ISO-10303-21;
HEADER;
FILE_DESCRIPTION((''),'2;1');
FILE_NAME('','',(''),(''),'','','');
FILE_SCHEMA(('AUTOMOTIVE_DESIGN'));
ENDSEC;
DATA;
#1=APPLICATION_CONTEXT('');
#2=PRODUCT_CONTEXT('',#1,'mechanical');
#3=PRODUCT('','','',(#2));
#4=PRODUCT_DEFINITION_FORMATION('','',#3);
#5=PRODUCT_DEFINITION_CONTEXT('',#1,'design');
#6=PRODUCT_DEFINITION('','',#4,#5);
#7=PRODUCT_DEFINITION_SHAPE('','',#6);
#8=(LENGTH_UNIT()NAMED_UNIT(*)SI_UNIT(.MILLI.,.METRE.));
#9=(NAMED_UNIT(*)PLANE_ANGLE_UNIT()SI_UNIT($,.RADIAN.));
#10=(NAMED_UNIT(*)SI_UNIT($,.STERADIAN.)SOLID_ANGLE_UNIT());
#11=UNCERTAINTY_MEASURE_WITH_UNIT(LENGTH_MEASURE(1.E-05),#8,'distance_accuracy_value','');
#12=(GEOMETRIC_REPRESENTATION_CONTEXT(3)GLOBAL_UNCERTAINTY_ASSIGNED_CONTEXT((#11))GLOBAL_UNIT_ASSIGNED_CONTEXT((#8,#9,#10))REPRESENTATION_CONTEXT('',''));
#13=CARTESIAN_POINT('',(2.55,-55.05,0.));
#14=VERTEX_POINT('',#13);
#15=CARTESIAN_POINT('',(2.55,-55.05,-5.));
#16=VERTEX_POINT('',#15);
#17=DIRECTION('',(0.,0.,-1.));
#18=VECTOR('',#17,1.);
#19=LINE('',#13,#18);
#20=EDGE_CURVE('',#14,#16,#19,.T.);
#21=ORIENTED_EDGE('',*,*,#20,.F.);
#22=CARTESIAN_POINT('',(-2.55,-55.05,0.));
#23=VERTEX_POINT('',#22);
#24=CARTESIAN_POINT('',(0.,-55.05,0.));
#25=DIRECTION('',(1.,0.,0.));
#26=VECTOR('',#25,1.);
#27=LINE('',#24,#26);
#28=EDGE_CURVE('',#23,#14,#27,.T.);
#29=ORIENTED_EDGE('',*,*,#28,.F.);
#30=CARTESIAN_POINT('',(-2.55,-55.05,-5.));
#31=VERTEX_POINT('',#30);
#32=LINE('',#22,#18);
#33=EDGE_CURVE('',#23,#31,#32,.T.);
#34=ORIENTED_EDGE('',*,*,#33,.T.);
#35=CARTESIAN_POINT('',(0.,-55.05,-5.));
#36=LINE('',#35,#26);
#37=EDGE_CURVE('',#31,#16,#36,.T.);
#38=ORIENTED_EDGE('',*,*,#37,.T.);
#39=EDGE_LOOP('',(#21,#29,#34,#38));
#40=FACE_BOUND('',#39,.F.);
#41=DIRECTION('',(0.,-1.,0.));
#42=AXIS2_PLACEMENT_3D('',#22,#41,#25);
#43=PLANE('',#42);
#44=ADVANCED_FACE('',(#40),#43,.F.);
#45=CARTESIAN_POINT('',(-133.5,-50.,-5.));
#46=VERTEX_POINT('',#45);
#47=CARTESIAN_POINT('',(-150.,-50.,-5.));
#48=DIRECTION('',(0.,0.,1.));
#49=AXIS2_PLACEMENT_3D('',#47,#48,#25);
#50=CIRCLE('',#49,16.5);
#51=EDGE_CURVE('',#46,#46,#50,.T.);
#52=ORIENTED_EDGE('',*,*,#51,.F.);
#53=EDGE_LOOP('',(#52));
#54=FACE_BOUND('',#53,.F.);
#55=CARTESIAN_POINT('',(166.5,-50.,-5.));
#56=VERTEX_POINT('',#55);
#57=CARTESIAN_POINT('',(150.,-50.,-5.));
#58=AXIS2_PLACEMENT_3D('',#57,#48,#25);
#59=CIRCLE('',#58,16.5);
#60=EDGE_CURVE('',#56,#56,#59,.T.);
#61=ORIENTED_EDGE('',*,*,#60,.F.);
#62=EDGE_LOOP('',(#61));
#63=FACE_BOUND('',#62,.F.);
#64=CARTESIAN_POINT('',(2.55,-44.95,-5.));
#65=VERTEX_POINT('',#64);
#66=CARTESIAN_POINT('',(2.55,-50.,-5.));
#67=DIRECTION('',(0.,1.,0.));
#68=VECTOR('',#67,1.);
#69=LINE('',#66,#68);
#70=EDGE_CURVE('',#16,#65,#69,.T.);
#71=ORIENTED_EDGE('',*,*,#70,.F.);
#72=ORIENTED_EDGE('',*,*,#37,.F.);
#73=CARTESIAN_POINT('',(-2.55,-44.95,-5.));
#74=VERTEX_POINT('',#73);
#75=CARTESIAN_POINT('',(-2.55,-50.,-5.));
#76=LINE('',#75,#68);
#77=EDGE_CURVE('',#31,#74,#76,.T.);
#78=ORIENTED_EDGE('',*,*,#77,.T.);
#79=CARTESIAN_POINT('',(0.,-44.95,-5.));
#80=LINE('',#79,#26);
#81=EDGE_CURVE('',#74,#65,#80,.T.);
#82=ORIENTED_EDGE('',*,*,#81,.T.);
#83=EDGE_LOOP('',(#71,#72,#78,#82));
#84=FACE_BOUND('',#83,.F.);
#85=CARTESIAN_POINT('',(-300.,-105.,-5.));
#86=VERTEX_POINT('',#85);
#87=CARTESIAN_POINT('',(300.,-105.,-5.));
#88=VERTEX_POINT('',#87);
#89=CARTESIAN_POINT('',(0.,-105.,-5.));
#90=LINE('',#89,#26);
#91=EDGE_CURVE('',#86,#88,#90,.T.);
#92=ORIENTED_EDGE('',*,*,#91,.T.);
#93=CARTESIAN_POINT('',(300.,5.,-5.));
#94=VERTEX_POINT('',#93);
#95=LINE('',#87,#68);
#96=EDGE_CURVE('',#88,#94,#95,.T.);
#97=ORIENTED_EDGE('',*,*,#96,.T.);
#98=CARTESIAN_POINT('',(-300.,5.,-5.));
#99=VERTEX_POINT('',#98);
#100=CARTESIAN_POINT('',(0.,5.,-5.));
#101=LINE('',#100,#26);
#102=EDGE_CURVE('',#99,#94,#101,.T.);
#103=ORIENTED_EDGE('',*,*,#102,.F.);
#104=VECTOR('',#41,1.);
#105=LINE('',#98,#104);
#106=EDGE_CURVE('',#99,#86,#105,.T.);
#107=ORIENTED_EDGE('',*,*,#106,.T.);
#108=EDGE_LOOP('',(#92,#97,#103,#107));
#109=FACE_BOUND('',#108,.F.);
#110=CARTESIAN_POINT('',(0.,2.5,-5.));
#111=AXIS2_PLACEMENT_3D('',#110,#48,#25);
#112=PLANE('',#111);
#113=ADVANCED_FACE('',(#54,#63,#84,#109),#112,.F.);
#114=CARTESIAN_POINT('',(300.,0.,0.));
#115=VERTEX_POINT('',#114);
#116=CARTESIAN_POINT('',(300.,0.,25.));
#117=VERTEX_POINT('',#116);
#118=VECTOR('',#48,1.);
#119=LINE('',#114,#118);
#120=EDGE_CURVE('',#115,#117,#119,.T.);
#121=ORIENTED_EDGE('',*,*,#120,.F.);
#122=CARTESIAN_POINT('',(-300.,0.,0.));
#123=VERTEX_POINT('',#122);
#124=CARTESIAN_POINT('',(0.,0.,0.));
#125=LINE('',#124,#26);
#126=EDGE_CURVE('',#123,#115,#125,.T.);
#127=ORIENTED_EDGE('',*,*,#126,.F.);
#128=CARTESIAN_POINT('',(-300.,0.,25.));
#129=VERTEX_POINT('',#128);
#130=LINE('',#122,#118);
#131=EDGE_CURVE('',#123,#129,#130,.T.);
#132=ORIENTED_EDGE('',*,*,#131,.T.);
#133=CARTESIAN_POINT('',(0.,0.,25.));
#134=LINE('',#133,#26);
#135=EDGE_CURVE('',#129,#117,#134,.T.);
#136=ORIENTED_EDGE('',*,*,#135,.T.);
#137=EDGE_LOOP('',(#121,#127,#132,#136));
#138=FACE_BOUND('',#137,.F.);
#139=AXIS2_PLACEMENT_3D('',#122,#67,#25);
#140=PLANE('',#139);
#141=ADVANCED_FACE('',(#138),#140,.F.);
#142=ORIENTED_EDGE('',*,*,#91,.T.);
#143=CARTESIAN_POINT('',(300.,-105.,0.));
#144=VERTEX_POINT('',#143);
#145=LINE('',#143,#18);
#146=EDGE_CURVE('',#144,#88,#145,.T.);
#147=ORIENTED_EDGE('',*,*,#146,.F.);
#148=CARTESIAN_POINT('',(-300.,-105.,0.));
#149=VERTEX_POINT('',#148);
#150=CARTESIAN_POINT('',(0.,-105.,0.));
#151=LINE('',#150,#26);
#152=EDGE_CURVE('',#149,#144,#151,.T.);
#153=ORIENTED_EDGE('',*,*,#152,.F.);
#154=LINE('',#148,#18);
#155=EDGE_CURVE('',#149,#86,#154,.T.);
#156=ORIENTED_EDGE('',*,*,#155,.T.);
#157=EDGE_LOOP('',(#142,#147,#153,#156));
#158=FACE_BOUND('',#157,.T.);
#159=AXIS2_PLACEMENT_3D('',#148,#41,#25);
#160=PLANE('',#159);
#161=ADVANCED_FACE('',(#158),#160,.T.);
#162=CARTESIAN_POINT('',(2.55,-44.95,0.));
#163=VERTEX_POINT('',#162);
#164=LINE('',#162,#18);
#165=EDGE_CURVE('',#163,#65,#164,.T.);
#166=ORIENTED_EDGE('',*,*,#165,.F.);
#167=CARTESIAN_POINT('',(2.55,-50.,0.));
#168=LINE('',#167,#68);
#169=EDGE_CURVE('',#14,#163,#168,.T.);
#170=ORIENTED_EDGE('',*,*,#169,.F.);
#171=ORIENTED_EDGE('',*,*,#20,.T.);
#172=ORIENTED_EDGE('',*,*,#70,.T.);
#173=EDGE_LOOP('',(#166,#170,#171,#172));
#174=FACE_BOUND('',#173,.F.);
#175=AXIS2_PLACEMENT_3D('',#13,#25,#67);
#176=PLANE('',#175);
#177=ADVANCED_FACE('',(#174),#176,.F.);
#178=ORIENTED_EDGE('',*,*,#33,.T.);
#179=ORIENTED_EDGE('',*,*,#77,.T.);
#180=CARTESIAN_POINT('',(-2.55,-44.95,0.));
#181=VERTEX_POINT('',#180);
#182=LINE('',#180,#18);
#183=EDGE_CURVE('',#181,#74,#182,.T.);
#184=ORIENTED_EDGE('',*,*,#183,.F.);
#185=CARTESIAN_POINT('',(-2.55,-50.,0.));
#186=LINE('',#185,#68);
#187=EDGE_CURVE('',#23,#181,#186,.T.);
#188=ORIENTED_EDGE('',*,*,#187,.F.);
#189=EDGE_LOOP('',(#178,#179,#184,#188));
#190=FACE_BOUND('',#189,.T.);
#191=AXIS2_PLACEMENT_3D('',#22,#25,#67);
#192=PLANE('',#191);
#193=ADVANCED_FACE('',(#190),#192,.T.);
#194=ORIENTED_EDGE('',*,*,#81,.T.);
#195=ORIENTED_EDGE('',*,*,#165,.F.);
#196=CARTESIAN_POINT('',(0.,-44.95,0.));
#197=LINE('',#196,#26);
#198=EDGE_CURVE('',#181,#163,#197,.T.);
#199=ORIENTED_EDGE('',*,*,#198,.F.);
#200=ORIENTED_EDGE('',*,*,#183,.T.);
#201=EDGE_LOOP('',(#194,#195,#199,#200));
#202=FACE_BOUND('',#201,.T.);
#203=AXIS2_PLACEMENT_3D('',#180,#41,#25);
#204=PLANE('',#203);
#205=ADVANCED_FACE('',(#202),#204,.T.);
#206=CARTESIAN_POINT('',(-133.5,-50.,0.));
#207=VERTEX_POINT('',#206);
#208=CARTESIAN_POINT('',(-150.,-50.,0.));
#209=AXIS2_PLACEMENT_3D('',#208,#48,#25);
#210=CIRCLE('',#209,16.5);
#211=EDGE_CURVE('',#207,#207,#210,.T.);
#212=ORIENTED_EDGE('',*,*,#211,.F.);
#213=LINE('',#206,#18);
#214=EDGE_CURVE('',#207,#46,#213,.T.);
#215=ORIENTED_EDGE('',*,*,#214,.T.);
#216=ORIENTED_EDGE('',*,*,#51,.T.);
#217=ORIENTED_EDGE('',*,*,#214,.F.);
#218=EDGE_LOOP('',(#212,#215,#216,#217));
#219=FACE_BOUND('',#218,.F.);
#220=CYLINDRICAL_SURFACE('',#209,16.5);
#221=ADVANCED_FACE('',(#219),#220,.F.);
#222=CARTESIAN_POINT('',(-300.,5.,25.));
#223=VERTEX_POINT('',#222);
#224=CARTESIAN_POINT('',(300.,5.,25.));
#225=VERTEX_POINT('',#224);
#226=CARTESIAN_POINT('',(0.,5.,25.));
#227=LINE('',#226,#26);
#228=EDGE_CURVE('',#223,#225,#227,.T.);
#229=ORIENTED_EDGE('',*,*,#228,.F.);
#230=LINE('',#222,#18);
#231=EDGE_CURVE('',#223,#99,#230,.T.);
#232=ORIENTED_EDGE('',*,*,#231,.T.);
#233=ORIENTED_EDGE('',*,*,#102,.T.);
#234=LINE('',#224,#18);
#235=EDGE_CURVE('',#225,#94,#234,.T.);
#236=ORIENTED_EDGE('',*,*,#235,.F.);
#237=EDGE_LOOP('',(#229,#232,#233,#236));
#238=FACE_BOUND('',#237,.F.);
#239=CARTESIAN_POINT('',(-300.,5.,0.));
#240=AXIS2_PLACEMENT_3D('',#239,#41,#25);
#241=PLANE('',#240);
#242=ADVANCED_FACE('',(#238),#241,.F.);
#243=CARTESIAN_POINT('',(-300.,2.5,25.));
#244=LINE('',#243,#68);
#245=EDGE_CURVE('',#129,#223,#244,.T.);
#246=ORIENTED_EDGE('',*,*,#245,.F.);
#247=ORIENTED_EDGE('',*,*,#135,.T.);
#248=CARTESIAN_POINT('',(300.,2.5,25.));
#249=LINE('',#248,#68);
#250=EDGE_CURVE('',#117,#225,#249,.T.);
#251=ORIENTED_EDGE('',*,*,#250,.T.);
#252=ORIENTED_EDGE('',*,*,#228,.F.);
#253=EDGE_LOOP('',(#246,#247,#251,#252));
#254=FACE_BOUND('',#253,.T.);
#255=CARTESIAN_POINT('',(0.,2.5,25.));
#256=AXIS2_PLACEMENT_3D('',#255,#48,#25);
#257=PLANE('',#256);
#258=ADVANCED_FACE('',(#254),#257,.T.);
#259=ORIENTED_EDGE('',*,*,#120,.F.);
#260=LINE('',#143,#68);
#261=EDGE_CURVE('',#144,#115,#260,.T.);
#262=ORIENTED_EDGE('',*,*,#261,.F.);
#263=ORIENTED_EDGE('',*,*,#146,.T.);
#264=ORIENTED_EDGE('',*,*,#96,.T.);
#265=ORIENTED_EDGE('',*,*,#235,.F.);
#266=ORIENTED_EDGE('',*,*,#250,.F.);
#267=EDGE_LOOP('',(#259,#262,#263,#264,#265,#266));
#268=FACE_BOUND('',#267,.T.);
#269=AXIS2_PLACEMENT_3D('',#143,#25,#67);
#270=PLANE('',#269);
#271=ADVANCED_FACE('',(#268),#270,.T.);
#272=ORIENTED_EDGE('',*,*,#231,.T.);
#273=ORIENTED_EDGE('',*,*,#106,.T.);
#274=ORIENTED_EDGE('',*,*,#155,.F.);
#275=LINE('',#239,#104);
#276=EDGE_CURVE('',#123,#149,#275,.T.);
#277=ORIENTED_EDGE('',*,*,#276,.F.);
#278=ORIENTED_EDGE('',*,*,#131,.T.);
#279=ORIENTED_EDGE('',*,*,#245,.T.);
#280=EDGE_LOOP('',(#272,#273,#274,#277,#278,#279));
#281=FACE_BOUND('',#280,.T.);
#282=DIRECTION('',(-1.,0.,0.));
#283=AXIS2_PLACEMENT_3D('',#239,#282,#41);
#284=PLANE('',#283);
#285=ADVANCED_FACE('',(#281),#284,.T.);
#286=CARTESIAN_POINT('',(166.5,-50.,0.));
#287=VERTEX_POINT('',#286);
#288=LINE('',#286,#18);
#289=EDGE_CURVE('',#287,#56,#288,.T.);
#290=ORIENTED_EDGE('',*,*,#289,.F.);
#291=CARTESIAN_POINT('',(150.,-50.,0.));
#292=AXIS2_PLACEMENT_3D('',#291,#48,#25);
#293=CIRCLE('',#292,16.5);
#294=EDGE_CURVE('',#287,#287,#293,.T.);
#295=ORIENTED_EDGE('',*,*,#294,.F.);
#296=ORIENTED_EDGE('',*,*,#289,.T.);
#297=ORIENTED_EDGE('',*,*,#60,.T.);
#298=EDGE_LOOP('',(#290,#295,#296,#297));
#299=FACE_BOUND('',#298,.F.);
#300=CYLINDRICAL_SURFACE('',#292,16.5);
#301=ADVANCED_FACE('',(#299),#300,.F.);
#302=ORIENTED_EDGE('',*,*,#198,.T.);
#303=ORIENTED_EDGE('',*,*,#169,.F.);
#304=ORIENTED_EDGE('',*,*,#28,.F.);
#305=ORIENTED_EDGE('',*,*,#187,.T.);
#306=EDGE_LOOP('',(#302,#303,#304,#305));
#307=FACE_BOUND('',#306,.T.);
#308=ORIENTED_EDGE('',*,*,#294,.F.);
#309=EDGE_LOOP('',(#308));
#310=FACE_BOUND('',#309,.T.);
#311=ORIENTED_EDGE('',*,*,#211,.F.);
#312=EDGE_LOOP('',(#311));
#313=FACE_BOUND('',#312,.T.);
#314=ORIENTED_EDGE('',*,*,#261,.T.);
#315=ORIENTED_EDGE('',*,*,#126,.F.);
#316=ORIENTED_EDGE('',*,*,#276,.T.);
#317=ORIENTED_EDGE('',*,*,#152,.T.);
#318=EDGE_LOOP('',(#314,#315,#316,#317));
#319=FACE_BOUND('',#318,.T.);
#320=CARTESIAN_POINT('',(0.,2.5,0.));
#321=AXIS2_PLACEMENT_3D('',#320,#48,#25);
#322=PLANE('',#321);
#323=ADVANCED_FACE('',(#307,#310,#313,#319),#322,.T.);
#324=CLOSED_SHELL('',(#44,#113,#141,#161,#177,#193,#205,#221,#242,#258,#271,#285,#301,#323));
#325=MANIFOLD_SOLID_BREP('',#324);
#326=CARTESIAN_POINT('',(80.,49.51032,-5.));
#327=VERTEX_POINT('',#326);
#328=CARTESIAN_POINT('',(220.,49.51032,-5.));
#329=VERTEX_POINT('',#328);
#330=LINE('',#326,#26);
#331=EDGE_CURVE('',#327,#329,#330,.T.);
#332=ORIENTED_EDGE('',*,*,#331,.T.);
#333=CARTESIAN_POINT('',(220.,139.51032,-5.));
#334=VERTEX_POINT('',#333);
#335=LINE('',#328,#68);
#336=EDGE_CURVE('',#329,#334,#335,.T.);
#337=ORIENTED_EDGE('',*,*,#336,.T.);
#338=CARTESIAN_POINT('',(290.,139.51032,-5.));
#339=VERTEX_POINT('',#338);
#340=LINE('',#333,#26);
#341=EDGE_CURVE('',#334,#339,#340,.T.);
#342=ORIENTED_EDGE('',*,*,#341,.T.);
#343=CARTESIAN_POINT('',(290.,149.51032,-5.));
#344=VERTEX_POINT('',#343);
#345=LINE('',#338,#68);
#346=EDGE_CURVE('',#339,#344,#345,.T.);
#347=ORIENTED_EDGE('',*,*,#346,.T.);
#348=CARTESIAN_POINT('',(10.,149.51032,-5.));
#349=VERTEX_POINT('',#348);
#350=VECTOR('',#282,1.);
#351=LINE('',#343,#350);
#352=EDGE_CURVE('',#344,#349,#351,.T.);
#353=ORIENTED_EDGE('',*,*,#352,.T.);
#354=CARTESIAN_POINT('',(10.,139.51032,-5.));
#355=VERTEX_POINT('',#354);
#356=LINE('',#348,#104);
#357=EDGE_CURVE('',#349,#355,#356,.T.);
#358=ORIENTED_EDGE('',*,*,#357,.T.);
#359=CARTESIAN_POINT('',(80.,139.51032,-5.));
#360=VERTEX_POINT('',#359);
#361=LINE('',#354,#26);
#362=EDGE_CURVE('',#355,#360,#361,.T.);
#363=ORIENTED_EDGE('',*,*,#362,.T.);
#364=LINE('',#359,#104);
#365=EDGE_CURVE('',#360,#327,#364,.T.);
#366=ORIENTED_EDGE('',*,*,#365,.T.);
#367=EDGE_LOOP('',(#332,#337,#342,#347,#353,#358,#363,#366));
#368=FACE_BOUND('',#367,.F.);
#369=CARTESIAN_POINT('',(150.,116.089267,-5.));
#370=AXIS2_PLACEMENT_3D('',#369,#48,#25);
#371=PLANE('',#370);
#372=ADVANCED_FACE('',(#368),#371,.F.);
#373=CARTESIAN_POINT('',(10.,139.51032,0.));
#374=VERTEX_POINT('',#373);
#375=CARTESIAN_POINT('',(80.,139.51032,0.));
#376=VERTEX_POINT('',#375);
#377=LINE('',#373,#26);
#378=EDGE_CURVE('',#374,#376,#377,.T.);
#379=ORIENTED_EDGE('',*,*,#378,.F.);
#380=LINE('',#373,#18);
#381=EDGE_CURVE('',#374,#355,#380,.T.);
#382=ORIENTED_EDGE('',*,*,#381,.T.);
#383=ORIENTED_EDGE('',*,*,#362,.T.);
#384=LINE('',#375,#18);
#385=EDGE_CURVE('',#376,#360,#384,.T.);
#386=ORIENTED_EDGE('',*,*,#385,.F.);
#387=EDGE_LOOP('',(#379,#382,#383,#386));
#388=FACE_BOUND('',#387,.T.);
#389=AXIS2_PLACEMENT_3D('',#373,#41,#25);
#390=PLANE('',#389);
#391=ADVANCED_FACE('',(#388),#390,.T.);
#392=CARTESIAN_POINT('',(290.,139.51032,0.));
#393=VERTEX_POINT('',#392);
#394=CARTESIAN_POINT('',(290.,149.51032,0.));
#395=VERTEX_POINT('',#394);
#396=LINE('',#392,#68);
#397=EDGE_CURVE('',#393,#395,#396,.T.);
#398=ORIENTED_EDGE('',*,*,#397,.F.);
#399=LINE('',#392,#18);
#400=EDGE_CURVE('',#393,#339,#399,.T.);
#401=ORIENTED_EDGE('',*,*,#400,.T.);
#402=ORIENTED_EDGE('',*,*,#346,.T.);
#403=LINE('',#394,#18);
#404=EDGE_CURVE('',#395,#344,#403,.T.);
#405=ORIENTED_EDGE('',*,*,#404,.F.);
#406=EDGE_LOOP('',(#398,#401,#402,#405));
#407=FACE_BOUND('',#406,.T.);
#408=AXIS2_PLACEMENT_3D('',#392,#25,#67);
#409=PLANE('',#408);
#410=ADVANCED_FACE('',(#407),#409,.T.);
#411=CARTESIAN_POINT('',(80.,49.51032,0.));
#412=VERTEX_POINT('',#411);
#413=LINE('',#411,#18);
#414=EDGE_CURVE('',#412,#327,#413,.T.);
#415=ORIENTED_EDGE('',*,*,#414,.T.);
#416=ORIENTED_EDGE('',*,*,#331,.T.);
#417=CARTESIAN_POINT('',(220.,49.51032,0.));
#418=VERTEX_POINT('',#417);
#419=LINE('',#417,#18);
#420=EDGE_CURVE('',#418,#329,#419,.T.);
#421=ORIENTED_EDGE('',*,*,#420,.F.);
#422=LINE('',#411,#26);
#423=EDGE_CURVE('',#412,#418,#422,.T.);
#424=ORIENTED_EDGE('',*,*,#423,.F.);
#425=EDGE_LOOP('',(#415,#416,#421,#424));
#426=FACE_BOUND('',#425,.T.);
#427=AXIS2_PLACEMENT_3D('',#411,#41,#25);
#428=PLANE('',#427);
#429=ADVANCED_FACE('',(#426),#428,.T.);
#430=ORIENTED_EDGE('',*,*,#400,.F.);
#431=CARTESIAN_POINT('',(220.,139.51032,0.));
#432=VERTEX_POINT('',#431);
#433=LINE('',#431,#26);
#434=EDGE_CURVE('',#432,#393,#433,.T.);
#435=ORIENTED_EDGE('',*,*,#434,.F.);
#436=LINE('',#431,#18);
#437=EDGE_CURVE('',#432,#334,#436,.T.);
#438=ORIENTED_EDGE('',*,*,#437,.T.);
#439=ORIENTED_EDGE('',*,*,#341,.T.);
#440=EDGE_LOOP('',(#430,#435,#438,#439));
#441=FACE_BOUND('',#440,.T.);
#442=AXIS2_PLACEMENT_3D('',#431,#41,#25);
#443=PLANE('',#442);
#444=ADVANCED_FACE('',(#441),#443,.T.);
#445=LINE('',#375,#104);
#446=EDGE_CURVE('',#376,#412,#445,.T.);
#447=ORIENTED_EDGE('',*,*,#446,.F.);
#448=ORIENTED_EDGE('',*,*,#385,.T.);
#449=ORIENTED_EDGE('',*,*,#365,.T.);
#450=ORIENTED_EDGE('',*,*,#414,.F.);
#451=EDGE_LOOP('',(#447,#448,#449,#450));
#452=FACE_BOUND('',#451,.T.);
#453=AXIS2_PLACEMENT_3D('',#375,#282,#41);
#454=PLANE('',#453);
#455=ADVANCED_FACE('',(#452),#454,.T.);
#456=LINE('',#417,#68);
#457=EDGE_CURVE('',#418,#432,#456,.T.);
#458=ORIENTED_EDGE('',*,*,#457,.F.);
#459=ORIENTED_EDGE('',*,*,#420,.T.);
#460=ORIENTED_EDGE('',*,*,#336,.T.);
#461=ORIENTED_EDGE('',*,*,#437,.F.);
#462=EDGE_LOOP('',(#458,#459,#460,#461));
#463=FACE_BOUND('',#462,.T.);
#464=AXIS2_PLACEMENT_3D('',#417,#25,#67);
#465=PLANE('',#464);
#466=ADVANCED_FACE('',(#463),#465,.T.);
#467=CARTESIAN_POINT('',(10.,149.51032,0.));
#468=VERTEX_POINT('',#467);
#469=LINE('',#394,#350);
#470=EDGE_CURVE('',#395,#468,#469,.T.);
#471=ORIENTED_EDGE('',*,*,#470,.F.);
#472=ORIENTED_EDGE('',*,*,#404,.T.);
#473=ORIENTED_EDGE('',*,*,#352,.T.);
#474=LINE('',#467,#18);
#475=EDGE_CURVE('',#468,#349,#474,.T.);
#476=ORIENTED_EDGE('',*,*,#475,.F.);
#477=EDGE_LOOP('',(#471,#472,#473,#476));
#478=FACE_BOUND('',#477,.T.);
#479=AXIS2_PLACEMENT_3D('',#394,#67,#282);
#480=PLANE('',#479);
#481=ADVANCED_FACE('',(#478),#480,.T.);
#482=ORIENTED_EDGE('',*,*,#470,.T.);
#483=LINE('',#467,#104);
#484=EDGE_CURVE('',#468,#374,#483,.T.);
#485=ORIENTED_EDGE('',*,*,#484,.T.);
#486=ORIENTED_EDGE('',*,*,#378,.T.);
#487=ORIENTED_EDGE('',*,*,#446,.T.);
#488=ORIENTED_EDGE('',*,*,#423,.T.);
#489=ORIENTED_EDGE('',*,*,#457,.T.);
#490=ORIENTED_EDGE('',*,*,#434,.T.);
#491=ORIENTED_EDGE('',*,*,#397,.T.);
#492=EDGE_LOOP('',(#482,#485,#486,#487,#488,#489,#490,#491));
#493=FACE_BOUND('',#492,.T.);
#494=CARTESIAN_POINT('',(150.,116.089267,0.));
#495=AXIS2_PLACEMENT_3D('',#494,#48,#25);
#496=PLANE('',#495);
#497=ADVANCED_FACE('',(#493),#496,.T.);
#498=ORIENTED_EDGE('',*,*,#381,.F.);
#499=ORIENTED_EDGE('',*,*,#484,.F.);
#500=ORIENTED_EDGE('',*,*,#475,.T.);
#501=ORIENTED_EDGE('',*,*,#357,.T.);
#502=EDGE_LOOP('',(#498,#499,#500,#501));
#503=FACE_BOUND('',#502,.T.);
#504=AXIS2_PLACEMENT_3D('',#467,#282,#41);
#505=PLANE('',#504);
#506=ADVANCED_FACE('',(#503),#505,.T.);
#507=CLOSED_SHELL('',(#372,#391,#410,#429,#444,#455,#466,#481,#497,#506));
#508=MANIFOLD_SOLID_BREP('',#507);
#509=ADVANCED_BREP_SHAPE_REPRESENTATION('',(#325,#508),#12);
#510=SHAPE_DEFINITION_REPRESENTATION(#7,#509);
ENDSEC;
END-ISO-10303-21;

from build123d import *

# Parameters (mm, degrees)
F0_W     = 600
F0_H     = 5
F1_DEPTH = 25
F0_H_2   = 105
F0_R     = 16.5
F0_W_2   = 5.1
F0_H_3   = 10.1
F2_DEPTH = 5


with BuildPart() as f1:
    # F0 (on Top) → F1 (new body)
    with BuildSketch(Plane.XY):
        with Locations((0, 2.5)):
            Rectangle(F0_W, F0_H)
    extrude(amount=F1_DEPTH)

    # F0 (on Top) → F2 (join)
    with BuildSketch(Plane.XY):
        with Locations((0, 2.5)):
            Rectangle(F0_W, F0_H)
        with Locations((0, -52.5)):
            Rectangle(F0_W, F0_H_2)
        with Locations((-150, -50)):
            Circle(F0_R, mode=Mode.SUBTRACT)
        with Locations((0, -50)):
            Rectangle(F0_W_2, F0_H_3, mode=Mode.SUBTRACT)
        with Locations((150, -50)):
            Circle(F0_R, mode=Mode.SUBTRACT)
        Polygon((290, 149.51032), (10, 149.51032), (10, 139.51032), (80, 139.51032), (80, 49.51032), (220, 49.51032), (220, 139.51032), (290, 139.51032), align=None)
    extrude(amount=-F2_DEPTH)


solid = f1.part
